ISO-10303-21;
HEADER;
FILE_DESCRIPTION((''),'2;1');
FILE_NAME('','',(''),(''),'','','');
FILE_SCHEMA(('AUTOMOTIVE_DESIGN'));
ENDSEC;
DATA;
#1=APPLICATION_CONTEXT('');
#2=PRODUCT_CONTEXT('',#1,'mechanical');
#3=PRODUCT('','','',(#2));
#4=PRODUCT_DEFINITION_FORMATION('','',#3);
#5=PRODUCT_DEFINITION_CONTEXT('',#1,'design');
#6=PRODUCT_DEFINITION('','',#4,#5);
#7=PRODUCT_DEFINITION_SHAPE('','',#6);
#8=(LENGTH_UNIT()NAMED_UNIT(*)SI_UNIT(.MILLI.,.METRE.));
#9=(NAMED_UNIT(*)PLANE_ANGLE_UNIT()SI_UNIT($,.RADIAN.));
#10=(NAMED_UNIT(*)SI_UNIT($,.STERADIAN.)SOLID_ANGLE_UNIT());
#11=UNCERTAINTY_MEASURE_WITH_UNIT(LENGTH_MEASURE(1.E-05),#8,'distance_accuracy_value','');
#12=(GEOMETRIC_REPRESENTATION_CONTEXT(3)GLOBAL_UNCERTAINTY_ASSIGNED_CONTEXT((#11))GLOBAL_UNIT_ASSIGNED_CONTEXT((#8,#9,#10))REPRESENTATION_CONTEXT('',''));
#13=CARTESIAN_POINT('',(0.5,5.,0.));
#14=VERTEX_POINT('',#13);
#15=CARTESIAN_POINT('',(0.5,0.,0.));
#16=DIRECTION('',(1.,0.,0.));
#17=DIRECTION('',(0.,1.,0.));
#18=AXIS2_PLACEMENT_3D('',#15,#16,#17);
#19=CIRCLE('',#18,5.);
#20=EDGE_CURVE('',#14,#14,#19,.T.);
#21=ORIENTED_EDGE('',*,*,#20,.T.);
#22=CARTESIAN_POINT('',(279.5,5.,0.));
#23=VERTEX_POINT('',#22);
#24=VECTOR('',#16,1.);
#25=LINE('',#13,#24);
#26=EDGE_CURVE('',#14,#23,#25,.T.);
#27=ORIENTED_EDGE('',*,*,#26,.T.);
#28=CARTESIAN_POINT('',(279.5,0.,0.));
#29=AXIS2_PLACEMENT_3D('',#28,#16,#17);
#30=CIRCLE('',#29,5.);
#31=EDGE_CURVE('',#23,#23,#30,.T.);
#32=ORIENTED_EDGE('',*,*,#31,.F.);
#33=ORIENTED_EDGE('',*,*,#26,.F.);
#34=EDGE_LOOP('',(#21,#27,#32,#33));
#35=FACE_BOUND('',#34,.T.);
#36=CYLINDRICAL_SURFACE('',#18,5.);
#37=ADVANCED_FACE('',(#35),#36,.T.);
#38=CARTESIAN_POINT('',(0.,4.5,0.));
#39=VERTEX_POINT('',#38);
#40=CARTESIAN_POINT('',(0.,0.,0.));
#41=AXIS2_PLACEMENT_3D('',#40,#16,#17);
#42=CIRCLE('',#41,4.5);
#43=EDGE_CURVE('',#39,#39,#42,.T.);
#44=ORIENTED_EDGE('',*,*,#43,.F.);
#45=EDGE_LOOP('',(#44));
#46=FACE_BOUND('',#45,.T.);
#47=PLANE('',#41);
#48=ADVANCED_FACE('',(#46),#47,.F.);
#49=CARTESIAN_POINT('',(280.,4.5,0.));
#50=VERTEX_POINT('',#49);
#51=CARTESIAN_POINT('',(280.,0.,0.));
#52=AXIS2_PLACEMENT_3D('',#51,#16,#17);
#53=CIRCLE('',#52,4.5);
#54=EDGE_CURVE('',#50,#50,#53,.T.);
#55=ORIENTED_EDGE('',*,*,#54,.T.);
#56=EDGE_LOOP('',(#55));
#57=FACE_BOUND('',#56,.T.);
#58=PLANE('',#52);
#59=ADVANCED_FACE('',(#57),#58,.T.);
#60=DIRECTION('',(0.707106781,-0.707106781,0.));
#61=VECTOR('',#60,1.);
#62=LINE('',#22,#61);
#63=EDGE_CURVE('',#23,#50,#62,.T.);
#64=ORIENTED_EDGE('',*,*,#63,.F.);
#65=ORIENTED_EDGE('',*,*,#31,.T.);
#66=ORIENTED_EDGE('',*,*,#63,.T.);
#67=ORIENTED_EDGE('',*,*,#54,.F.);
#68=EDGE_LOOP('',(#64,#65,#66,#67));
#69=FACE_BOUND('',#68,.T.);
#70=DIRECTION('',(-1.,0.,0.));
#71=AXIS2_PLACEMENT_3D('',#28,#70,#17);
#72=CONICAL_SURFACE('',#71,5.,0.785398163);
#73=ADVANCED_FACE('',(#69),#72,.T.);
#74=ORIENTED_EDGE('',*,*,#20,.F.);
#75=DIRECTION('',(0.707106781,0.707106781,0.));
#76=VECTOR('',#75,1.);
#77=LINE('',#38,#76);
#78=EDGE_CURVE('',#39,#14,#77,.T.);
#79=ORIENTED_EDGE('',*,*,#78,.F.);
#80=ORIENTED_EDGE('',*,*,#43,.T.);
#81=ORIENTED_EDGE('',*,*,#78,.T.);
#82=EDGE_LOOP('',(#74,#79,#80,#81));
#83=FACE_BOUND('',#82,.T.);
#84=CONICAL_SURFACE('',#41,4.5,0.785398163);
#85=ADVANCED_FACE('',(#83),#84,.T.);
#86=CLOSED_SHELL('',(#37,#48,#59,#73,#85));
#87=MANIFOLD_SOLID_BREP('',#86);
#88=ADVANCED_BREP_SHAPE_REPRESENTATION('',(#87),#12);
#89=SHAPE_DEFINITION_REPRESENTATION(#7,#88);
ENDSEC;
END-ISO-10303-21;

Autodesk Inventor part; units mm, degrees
sketch "Sketch_1" plane through (0, 0, 0) normal (0, 0, 1) x (1, 0, 0)
  line L0 (280, 0) -> (0, 0)
  line L1 (0, 0) -> (0, 4.5)
  line L2 (0, 4.5) -> (0.5, 5)
  line L3 (0.5, 5) -> (279.5, 5)
  line L4 (279.5, 5) -> (280, 4.5)
  line L5 (280, 4.5) -> (280, 0)
  line L6 (280, 0) -> (0, 0)
revolve "Revolution1" add sketch "Sketch_1" angle 360 about axis through (280, 0, 0) along (1, 0, 0)
ref_plane "COMBINATION_MODULE_XY" through (0, 0, 0) normal (1, 0, 0) x (0, 0, -1)
ref_plane "COMBINATION_MODULE_YZ" through (0, 0, 0) normal (0, 0, -1) x (0, 1, 0)
ref_plane "COMBINATION_MODULE_ZX" through (0, 0, 0) normal (0, 1, 0) x (1, 0, 0)
properties part number "SSFR10-280_s"
